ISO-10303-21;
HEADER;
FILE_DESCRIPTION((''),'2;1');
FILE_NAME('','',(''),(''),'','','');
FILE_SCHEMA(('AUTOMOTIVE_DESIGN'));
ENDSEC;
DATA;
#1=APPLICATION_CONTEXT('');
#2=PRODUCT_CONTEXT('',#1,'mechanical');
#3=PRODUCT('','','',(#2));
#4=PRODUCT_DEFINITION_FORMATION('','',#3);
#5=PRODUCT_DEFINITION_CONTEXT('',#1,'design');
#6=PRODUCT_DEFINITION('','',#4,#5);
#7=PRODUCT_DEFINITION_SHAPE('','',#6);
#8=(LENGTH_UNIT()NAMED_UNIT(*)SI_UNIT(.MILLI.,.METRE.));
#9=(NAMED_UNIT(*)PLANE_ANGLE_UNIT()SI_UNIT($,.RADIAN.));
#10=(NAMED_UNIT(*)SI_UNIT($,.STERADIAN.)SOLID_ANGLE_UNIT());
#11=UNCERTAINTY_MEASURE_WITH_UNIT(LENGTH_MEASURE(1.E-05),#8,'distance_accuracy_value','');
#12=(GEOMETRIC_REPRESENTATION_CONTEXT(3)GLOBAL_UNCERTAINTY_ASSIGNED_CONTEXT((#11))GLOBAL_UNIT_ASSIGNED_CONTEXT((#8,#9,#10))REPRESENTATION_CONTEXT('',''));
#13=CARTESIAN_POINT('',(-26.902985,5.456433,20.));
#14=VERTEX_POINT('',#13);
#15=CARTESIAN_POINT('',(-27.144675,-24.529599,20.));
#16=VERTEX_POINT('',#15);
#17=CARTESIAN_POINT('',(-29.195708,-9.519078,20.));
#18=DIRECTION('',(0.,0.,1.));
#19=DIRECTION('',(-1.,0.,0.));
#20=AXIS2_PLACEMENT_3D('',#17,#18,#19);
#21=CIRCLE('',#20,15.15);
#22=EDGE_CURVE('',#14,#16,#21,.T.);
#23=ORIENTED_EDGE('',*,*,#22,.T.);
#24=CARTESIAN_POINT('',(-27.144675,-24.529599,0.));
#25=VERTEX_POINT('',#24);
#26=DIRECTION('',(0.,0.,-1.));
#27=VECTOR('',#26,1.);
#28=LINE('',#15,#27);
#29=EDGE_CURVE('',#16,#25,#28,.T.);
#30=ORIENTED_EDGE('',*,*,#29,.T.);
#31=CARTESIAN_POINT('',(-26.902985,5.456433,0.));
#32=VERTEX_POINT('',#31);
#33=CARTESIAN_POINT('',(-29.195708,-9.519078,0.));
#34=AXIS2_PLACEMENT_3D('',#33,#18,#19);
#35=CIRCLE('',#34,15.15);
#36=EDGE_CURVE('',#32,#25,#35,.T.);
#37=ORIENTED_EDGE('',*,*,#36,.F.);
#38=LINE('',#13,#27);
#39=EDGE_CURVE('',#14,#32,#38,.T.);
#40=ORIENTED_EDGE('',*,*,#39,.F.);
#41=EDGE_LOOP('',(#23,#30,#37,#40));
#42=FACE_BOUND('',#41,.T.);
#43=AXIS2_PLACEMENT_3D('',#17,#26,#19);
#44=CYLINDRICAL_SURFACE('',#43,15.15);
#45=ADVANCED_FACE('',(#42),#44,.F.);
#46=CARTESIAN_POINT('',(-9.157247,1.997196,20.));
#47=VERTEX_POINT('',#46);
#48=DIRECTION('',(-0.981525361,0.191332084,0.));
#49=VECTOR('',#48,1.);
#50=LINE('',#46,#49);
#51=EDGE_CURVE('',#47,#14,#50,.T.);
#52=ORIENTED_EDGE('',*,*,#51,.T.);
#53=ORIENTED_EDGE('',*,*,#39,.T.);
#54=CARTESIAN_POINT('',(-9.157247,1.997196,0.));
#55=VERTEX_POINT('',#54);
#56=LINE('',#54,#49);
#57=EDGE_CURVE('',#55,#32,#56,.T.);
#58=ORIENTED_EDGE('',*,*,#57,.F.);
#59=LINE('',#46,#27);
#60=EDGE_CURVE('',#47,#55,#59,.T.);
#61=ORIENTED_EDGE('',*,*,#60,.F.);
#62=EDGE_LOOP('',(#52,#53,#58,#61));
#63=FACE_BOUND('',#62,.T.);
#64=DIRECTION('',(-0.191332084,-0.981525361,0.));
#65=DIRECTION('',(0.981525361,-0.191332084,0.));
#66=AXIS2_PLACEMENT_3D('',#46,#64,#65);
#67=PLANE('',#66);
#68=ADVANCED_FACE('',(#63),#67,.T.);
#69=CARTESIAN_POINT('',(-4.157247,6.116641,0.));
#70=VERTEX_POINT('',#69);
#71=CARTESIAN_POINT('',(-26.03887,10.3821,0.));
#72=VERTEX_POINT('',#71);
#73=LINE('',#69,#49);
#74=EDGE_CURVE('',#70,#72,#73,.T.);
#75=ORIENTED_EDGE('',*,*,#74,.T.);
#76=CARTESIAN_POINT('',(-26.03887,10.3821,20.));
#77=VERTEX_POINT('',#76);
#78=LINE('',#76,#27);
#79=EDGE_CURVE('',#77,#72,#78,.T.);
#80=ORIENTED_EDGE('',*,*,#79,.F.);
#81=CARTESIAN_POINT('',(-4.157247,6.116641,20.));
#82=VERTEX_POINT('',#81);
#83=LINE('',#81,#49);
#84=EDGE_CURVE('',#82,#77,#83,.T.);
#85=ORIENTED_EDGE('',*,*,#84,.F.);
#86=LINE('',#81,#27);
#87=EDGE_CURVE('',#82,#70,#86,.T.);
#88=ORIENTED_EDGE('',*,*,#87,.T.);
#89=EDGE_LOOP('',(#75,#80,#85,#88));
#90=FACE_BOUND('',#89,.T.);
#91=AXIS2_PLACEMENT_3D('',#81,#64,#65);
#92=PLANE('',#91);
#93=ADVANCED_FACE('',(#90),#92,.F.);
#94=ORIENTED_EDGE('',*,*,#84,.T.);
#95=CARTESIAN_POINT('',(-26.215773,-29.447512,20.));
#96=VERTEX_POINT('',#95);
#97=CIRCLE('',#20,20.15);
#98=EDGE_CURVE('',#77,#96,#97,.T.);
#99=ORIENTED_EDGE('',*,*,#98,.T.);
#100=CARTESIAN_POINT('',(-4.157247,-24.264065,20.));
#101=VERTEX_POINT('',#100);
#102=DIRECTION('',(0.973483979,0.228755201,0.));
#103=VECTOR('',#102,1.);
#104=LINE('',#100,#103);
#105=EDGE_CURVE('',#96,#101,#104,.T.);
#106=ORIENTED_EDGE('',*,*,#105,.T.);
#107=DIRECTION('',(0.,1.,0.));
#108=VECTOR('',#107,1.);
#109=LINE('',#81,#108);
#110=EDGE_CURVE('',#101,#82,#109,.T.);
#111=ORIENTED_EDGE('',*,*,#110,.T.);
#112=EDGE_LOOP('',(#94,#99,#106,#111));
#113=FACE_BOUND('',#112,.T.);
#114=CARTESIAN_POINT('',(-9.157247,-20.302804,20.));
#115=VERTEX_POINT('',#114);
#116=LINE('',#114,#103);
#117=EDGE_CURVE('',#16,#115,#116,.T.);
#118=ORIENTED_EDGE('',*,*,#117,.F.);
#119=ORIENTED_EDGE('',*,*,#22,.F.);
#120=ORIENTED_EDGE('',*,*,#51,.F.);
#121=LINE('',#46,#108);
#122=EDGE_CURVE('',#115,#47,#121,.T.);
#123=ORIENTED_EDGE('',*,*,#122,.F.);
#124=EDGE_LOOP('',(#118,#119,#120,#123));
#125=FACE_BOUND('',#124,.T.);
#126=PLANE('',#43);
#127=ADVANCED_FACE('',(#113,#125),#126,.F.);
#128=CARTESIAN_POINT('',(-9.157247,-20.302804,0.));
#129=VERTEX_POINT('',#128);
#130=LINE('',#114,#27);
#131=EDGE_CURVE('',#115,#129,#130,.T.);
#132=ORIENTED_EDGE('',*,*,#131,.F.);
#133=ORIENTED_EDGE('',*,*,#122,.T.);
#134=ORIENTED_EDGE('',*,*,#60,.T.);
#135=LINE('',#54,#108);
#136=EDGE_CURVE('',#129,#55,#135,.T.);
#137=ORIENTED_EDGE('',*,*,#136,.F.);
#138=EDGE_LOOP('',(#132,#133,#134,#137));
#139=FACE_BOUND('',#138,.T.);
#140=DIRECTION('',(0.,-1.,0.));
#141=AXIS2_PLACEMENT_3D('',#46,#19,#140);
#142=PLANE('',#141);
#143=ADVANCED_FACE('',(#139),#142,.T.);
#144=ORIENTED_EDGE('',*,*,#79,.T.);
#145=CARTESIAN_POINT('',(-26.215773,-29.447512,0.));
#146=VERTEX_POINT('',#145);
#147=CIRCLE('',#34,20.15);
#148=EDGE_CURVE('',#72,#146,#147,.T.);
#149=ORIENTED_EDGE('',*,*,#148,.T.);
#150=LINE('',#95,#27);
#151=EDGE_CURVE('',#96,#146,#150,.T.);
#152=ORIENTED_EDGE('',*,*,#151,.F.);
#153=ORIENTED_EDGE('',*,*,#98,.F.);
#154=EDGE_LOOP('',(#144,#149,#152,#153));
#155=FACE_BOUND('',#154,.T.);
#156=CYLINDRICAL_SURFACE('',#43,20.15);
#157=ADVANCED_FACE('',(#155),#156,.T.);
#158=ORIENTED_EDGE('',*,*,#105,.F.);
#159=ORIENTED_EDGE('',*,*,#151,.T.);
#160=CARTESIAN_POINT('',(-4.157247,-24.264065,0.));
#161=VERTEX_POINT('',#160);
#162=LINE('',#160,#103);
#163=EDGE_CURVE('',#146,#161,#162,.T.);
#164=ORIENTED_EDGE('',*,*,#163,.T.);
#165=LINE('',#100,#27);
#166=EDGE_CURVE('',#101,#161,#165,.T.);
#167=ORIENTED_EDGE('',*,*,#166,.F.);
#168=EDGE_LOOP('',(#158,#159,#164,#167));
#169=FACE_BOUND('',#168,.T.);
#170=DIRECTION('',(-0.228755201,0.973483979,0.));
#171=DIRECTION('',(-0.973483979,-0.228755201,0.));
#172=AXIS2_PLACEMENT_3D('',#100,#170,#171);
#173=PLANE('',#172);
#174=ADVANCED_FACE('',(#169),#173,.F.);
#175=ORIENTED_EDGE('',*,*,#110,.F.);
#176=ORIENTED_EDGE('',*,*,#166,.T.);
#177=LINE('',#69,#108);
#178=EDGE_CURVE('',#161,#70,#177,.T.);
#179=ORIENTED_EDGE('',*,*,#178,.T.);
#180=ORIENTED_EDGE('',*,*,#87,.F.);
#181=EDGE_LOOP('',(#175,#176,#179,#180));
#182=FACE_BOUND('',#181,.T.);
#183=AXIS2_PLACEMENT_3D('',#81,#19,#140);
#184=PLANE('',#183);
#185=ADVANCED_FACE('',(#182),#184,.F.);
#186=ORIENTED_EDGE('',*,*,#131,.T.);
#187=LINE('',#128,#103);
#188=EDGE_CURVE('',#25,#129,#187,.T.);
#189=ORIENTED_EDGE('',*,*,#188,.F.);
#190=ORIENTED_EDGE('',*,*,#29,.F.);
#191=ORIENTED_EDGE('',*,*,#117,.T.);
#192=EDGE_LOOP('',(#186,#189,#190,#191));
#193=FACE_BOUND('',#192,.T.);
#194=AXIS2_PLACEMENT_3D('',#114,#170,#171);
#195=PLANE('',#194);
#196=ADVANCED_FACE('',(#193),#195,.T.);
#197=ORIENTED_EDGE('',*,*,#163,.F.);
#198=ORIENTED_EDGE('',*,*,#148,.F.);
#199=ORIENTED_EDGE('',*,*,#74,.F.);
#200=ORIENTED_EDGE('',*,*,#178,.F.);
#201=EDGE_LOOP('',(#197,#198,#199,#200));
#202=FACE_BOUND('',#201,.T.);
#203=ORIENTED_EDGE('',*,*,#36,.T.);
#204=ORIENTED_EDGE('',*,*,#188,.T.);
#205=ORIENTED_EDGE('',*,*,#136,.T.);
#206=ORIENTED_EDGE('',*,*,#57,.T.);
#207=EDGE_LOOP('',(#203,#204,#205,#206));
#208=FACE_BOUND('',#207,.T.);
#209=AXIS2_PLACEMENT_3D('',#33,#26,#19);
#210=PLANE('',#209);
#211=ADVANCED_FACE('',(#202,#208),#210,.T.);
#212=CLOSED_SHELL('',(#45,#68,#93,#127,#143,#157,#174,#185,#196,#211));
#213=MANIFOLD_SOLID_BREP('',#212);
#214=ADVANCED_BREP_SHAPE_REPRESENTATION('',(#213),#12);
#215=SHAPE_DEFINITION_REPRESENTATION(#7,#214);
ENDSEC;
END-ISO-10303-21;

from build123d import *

# Parameters (mm, degrees)
SALIENTE_EXTRUIR1_DEPTH = 20


with BuildPart() as part:
    # Croquis3 → Saliente-Extruir1 (new body)
    with BuildSketch(Plane.XY):
        with BuildLine():
            Line((-4.157247249, 6.116640811), (-26.038869698, 10.382100053))
            ThreePointArc((-26.038869698, 10.382100053), (-49.345509053, -9.429582016), (-26.215773458, -29.447511872))
            Line((-26.215773458, -29.447511872), (-4.157247249, -24.2640649))
            Line((-4.157247249, -24.2640649), (-4.157247249, 6.116640811))
        make_face()
        with BuildLine():
            Line((-9.157247249, 1.997195972), (-26.902985069, 5.456433128))
            ThreePointArc((-26.902985069, 5.456433128), (-44.345215717, -9.396971545), (-27.144674573, -24.529599364))
            Line((-27.144674573, -24.529599364), (-9.157247249, -20.302804028))
            Line((-9.157247249, -20.302804028), (-9.157247249, 1.997195972))
        make_face(mode=Mode.SUBTRACT)
    extrude(amount=SALIENTE_EXTRUIR1_DEPTH)


solid = part.part
